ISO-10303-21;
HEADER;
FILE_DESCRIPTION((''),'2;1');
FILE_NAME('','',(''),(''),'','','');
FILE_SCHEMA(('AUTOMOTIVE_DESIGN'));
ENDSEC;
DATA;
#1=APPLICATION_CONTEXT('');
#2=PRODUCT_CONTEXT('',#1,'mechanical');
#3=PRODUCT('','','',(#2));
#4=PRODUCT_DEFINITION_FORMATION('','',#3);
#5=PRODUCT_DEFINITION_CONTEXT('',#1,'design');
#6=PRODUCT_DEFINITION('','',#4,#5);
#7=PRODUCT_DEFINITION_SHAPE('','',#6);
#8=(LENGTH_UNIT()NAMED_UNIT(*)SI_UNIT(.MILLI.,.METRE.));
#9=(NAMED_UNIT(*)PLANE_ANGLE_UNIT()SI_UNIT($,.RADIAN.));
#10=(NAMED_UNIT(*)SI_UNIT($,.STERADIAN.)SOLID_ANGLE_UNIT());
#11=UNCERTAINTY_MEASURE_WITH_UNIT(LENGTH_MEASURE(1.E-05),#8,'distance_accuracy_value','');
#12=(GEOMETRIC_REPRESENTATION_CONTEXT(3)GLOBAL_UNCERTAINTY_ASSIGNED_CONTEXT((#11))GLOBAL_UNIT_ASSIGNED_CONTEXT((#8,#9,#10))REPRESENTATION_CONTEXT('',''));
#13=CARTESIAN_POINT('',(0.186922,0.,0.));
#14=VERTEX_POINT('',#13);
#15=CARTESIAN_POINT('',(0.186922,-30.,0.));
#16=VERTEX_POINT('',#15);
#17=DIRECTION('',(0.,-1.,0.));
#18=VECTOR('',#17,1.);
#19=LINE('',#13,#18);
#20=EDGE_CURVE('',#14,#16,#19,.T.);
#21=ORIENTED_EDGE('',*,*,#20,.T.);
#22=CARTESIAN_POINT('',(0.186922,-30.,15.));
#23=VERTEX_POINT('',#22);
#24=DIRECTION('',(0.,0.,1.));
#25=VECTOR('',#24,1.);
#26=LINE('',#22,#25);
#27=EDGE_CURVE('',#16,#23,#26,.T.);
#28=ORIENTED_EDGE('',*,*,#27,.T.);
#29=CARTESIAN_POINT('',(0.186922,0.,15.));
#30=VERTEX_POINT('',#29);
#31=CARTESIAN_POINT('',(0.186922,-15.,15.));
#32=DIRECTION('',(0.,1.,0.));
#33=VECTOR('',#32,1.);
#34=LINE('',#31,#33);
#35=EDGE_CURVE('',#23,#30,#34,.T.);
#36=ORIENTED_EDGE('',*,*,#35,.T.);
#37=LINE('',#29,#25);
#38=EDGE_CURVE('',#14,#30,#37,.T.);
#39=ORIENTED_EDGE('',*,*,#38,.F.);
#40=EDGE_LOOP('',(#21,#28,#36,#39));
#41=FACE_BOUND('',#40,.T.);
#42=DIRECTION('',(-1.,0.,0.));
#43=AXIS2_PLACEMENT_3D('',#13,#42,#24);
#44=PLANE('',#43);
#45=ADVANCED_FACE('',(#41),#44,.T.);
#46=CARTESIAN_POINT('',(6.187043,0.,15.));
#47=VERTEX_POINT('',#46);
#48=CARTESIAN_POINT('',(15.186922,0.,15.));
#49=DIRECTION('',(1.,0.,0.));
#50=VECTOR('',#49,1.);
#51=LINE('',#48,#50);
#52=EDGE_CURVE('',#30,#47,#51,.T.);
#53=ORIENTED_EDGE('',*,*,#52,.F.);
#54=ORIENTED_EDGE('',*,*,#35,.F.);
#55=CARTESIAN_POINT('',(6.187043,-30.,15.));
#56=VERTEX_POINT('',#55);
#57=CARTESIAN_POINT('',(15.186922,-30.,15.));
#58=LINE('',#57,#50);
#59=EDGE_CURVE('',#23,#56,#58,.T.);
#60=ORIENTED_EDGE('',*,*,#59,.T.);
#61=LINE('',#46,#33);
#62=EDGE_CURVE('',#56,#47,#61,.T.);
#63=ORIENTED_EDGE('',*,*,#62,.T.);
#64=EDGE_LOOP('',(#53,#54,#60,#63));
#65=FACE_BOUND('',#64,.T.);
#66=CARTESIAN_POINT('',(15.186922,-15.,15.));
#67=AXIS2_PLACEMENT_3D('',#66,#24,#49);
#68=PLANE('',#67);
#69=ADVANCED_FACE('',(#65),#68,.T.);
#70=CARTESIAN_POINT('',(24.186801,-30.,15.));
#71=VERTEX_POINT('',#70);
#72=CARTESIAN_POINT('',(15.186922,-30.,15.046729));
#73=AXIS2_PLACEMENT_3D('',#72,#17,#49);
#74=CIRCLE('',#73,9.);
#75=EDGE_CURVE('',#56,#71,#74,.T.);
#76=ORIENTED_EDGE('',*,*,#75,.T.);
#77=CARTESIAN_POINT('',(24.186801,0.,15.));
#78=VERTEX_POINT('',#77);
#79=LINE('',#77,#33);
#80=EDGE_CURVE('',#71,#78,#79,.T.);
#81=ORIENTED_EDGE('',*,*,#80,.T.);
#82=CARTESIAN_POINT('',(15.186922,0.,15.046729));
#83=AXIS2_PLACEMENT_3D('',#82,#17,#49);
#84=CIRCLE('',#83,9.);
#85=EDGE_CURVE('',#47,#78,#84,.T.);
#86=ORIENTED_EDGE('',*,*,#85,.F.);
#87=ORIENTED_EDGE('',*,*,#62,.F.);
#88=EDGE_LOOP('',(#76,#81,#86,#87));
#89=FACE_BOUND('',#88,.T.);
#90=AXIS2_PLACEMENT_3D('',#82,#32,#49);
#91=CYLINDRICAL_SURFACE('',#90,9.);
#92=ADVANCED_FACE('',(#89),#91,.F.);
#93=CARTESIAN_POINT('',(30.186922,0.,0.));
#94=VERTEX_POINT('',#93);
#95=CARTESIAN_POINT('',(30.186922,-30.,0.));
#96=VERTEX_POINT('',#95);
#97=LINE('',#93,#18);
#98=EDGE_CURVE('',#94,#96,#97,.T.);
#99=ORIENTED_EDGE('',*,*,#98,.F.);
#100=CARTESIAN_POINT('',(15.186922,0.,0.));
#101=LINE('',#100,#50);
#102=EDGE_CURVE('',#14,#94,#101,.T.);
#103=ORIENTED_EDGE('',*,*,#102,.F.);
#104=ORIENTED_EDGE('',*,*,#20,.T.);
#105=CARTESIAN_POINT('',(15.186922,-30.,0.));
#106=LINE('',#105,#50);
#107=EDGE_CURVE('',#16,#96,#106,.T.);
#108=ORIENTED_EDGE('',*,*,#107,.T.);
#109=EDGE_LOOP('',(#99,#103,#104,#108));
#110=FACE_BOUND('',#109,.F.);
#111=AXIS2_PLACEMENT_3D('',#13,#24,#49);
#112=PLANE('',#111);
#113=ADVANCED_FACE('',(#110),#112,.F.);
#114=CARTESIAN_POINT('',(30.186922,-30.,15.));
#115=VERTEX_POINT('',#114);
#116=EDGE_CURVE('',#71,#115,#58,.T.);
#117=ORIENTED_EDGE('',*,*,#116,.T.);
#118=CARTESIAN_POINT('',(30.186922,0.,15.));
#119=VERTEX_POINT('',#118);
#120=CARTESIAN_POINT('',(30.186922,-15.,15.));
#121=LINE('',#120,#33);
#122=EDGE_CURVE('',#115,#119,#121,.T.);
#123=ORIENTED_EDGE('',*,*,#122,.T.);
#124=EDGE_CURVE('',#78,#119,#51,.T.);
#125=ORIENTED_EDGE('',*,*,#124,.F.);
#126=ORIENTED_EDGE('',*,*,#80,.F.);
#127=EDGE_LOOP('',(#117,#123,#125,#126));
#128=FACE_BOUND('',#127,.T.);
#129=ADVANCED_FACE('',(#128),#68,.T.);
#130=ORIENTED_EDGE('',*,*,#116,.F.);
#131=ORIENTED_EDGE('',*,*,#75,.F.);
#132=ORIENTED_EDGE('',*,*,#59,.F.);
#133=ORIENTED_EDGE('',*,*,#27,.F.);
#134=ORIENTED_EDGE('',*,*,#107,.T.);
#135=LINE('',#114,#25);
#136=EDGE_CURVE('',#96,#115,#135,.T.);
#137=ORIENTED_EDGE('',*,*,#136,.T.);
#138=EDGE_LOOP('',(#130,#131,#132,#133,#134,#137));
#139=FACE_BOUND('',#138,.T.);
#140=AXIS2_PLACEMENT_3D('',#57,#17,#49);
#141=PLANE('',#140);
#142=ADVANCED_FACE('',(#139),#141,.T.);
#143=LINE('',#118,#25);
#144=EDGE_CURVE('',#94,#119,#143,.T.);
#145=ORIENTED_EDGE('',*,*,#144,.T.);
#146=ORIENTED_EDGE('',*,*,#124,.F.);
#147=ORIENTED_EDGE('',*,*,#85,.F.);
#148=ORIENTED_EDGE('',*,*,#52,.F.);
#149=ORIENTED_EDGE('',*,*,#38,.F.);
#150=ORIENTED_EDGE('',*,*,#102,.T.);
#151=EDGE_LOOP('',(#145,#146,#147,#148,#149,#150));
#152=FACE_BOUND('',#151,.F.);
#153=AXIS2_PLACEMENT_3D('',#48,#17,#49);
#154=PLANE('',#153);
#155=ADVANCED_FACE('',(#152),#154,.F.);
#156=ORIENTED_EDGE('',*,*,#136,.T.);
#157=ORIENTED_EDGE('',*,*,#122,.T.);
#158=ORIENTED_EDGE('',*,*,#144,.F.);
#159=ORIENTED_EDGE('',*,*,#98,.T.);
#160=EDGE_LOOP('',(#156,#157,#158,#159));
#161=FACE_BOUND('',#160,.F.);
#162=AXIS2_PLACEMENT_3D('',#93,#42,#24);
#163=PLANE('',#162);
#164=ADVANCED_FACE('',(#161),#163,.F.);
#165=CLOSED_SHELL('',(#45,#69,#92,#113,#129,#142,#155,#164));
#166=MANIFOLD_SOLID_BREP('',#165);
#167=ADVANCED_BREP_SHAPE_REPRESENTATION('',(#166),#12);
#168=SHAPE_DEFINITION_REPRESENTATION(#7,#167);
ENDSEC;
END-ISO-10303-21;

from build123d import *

# Parameters (mm, degrees)
F0_W      = 30
F0_H      = 30
F0_R      = 9
F1_DEPTH  = 30
F1_FACE_W = 30
F1_FACE_H = 30
F2_DEPTH  = 15


with BuildPart() as f1:
    # F0 (on Front) → F1 (new body)
    with BuildSketch(Plane.XZ):
        with Locations((15.186922, 15)):
            Rectangle(F0_W, F0_H)
        with Locations((15.186922, 15.046729)):
            Circle(F0_R, mode=Mode.SUBTRACT)
    extrude(amount=F1_DEPTH)

    # F1_face (on face) → F2 (cut)
    with BuildSketch(Plane(origin=(15.186922, -15, 30), x_dir=(1, 0, 0), z_dir=(0, 0, 1))):
        Rectangle(F1_FACE_W, F1_FACE_H)
    extrude(amount=-F2_DEPTH, mode=Mode.SUBTRACT)


solid = f1.part
